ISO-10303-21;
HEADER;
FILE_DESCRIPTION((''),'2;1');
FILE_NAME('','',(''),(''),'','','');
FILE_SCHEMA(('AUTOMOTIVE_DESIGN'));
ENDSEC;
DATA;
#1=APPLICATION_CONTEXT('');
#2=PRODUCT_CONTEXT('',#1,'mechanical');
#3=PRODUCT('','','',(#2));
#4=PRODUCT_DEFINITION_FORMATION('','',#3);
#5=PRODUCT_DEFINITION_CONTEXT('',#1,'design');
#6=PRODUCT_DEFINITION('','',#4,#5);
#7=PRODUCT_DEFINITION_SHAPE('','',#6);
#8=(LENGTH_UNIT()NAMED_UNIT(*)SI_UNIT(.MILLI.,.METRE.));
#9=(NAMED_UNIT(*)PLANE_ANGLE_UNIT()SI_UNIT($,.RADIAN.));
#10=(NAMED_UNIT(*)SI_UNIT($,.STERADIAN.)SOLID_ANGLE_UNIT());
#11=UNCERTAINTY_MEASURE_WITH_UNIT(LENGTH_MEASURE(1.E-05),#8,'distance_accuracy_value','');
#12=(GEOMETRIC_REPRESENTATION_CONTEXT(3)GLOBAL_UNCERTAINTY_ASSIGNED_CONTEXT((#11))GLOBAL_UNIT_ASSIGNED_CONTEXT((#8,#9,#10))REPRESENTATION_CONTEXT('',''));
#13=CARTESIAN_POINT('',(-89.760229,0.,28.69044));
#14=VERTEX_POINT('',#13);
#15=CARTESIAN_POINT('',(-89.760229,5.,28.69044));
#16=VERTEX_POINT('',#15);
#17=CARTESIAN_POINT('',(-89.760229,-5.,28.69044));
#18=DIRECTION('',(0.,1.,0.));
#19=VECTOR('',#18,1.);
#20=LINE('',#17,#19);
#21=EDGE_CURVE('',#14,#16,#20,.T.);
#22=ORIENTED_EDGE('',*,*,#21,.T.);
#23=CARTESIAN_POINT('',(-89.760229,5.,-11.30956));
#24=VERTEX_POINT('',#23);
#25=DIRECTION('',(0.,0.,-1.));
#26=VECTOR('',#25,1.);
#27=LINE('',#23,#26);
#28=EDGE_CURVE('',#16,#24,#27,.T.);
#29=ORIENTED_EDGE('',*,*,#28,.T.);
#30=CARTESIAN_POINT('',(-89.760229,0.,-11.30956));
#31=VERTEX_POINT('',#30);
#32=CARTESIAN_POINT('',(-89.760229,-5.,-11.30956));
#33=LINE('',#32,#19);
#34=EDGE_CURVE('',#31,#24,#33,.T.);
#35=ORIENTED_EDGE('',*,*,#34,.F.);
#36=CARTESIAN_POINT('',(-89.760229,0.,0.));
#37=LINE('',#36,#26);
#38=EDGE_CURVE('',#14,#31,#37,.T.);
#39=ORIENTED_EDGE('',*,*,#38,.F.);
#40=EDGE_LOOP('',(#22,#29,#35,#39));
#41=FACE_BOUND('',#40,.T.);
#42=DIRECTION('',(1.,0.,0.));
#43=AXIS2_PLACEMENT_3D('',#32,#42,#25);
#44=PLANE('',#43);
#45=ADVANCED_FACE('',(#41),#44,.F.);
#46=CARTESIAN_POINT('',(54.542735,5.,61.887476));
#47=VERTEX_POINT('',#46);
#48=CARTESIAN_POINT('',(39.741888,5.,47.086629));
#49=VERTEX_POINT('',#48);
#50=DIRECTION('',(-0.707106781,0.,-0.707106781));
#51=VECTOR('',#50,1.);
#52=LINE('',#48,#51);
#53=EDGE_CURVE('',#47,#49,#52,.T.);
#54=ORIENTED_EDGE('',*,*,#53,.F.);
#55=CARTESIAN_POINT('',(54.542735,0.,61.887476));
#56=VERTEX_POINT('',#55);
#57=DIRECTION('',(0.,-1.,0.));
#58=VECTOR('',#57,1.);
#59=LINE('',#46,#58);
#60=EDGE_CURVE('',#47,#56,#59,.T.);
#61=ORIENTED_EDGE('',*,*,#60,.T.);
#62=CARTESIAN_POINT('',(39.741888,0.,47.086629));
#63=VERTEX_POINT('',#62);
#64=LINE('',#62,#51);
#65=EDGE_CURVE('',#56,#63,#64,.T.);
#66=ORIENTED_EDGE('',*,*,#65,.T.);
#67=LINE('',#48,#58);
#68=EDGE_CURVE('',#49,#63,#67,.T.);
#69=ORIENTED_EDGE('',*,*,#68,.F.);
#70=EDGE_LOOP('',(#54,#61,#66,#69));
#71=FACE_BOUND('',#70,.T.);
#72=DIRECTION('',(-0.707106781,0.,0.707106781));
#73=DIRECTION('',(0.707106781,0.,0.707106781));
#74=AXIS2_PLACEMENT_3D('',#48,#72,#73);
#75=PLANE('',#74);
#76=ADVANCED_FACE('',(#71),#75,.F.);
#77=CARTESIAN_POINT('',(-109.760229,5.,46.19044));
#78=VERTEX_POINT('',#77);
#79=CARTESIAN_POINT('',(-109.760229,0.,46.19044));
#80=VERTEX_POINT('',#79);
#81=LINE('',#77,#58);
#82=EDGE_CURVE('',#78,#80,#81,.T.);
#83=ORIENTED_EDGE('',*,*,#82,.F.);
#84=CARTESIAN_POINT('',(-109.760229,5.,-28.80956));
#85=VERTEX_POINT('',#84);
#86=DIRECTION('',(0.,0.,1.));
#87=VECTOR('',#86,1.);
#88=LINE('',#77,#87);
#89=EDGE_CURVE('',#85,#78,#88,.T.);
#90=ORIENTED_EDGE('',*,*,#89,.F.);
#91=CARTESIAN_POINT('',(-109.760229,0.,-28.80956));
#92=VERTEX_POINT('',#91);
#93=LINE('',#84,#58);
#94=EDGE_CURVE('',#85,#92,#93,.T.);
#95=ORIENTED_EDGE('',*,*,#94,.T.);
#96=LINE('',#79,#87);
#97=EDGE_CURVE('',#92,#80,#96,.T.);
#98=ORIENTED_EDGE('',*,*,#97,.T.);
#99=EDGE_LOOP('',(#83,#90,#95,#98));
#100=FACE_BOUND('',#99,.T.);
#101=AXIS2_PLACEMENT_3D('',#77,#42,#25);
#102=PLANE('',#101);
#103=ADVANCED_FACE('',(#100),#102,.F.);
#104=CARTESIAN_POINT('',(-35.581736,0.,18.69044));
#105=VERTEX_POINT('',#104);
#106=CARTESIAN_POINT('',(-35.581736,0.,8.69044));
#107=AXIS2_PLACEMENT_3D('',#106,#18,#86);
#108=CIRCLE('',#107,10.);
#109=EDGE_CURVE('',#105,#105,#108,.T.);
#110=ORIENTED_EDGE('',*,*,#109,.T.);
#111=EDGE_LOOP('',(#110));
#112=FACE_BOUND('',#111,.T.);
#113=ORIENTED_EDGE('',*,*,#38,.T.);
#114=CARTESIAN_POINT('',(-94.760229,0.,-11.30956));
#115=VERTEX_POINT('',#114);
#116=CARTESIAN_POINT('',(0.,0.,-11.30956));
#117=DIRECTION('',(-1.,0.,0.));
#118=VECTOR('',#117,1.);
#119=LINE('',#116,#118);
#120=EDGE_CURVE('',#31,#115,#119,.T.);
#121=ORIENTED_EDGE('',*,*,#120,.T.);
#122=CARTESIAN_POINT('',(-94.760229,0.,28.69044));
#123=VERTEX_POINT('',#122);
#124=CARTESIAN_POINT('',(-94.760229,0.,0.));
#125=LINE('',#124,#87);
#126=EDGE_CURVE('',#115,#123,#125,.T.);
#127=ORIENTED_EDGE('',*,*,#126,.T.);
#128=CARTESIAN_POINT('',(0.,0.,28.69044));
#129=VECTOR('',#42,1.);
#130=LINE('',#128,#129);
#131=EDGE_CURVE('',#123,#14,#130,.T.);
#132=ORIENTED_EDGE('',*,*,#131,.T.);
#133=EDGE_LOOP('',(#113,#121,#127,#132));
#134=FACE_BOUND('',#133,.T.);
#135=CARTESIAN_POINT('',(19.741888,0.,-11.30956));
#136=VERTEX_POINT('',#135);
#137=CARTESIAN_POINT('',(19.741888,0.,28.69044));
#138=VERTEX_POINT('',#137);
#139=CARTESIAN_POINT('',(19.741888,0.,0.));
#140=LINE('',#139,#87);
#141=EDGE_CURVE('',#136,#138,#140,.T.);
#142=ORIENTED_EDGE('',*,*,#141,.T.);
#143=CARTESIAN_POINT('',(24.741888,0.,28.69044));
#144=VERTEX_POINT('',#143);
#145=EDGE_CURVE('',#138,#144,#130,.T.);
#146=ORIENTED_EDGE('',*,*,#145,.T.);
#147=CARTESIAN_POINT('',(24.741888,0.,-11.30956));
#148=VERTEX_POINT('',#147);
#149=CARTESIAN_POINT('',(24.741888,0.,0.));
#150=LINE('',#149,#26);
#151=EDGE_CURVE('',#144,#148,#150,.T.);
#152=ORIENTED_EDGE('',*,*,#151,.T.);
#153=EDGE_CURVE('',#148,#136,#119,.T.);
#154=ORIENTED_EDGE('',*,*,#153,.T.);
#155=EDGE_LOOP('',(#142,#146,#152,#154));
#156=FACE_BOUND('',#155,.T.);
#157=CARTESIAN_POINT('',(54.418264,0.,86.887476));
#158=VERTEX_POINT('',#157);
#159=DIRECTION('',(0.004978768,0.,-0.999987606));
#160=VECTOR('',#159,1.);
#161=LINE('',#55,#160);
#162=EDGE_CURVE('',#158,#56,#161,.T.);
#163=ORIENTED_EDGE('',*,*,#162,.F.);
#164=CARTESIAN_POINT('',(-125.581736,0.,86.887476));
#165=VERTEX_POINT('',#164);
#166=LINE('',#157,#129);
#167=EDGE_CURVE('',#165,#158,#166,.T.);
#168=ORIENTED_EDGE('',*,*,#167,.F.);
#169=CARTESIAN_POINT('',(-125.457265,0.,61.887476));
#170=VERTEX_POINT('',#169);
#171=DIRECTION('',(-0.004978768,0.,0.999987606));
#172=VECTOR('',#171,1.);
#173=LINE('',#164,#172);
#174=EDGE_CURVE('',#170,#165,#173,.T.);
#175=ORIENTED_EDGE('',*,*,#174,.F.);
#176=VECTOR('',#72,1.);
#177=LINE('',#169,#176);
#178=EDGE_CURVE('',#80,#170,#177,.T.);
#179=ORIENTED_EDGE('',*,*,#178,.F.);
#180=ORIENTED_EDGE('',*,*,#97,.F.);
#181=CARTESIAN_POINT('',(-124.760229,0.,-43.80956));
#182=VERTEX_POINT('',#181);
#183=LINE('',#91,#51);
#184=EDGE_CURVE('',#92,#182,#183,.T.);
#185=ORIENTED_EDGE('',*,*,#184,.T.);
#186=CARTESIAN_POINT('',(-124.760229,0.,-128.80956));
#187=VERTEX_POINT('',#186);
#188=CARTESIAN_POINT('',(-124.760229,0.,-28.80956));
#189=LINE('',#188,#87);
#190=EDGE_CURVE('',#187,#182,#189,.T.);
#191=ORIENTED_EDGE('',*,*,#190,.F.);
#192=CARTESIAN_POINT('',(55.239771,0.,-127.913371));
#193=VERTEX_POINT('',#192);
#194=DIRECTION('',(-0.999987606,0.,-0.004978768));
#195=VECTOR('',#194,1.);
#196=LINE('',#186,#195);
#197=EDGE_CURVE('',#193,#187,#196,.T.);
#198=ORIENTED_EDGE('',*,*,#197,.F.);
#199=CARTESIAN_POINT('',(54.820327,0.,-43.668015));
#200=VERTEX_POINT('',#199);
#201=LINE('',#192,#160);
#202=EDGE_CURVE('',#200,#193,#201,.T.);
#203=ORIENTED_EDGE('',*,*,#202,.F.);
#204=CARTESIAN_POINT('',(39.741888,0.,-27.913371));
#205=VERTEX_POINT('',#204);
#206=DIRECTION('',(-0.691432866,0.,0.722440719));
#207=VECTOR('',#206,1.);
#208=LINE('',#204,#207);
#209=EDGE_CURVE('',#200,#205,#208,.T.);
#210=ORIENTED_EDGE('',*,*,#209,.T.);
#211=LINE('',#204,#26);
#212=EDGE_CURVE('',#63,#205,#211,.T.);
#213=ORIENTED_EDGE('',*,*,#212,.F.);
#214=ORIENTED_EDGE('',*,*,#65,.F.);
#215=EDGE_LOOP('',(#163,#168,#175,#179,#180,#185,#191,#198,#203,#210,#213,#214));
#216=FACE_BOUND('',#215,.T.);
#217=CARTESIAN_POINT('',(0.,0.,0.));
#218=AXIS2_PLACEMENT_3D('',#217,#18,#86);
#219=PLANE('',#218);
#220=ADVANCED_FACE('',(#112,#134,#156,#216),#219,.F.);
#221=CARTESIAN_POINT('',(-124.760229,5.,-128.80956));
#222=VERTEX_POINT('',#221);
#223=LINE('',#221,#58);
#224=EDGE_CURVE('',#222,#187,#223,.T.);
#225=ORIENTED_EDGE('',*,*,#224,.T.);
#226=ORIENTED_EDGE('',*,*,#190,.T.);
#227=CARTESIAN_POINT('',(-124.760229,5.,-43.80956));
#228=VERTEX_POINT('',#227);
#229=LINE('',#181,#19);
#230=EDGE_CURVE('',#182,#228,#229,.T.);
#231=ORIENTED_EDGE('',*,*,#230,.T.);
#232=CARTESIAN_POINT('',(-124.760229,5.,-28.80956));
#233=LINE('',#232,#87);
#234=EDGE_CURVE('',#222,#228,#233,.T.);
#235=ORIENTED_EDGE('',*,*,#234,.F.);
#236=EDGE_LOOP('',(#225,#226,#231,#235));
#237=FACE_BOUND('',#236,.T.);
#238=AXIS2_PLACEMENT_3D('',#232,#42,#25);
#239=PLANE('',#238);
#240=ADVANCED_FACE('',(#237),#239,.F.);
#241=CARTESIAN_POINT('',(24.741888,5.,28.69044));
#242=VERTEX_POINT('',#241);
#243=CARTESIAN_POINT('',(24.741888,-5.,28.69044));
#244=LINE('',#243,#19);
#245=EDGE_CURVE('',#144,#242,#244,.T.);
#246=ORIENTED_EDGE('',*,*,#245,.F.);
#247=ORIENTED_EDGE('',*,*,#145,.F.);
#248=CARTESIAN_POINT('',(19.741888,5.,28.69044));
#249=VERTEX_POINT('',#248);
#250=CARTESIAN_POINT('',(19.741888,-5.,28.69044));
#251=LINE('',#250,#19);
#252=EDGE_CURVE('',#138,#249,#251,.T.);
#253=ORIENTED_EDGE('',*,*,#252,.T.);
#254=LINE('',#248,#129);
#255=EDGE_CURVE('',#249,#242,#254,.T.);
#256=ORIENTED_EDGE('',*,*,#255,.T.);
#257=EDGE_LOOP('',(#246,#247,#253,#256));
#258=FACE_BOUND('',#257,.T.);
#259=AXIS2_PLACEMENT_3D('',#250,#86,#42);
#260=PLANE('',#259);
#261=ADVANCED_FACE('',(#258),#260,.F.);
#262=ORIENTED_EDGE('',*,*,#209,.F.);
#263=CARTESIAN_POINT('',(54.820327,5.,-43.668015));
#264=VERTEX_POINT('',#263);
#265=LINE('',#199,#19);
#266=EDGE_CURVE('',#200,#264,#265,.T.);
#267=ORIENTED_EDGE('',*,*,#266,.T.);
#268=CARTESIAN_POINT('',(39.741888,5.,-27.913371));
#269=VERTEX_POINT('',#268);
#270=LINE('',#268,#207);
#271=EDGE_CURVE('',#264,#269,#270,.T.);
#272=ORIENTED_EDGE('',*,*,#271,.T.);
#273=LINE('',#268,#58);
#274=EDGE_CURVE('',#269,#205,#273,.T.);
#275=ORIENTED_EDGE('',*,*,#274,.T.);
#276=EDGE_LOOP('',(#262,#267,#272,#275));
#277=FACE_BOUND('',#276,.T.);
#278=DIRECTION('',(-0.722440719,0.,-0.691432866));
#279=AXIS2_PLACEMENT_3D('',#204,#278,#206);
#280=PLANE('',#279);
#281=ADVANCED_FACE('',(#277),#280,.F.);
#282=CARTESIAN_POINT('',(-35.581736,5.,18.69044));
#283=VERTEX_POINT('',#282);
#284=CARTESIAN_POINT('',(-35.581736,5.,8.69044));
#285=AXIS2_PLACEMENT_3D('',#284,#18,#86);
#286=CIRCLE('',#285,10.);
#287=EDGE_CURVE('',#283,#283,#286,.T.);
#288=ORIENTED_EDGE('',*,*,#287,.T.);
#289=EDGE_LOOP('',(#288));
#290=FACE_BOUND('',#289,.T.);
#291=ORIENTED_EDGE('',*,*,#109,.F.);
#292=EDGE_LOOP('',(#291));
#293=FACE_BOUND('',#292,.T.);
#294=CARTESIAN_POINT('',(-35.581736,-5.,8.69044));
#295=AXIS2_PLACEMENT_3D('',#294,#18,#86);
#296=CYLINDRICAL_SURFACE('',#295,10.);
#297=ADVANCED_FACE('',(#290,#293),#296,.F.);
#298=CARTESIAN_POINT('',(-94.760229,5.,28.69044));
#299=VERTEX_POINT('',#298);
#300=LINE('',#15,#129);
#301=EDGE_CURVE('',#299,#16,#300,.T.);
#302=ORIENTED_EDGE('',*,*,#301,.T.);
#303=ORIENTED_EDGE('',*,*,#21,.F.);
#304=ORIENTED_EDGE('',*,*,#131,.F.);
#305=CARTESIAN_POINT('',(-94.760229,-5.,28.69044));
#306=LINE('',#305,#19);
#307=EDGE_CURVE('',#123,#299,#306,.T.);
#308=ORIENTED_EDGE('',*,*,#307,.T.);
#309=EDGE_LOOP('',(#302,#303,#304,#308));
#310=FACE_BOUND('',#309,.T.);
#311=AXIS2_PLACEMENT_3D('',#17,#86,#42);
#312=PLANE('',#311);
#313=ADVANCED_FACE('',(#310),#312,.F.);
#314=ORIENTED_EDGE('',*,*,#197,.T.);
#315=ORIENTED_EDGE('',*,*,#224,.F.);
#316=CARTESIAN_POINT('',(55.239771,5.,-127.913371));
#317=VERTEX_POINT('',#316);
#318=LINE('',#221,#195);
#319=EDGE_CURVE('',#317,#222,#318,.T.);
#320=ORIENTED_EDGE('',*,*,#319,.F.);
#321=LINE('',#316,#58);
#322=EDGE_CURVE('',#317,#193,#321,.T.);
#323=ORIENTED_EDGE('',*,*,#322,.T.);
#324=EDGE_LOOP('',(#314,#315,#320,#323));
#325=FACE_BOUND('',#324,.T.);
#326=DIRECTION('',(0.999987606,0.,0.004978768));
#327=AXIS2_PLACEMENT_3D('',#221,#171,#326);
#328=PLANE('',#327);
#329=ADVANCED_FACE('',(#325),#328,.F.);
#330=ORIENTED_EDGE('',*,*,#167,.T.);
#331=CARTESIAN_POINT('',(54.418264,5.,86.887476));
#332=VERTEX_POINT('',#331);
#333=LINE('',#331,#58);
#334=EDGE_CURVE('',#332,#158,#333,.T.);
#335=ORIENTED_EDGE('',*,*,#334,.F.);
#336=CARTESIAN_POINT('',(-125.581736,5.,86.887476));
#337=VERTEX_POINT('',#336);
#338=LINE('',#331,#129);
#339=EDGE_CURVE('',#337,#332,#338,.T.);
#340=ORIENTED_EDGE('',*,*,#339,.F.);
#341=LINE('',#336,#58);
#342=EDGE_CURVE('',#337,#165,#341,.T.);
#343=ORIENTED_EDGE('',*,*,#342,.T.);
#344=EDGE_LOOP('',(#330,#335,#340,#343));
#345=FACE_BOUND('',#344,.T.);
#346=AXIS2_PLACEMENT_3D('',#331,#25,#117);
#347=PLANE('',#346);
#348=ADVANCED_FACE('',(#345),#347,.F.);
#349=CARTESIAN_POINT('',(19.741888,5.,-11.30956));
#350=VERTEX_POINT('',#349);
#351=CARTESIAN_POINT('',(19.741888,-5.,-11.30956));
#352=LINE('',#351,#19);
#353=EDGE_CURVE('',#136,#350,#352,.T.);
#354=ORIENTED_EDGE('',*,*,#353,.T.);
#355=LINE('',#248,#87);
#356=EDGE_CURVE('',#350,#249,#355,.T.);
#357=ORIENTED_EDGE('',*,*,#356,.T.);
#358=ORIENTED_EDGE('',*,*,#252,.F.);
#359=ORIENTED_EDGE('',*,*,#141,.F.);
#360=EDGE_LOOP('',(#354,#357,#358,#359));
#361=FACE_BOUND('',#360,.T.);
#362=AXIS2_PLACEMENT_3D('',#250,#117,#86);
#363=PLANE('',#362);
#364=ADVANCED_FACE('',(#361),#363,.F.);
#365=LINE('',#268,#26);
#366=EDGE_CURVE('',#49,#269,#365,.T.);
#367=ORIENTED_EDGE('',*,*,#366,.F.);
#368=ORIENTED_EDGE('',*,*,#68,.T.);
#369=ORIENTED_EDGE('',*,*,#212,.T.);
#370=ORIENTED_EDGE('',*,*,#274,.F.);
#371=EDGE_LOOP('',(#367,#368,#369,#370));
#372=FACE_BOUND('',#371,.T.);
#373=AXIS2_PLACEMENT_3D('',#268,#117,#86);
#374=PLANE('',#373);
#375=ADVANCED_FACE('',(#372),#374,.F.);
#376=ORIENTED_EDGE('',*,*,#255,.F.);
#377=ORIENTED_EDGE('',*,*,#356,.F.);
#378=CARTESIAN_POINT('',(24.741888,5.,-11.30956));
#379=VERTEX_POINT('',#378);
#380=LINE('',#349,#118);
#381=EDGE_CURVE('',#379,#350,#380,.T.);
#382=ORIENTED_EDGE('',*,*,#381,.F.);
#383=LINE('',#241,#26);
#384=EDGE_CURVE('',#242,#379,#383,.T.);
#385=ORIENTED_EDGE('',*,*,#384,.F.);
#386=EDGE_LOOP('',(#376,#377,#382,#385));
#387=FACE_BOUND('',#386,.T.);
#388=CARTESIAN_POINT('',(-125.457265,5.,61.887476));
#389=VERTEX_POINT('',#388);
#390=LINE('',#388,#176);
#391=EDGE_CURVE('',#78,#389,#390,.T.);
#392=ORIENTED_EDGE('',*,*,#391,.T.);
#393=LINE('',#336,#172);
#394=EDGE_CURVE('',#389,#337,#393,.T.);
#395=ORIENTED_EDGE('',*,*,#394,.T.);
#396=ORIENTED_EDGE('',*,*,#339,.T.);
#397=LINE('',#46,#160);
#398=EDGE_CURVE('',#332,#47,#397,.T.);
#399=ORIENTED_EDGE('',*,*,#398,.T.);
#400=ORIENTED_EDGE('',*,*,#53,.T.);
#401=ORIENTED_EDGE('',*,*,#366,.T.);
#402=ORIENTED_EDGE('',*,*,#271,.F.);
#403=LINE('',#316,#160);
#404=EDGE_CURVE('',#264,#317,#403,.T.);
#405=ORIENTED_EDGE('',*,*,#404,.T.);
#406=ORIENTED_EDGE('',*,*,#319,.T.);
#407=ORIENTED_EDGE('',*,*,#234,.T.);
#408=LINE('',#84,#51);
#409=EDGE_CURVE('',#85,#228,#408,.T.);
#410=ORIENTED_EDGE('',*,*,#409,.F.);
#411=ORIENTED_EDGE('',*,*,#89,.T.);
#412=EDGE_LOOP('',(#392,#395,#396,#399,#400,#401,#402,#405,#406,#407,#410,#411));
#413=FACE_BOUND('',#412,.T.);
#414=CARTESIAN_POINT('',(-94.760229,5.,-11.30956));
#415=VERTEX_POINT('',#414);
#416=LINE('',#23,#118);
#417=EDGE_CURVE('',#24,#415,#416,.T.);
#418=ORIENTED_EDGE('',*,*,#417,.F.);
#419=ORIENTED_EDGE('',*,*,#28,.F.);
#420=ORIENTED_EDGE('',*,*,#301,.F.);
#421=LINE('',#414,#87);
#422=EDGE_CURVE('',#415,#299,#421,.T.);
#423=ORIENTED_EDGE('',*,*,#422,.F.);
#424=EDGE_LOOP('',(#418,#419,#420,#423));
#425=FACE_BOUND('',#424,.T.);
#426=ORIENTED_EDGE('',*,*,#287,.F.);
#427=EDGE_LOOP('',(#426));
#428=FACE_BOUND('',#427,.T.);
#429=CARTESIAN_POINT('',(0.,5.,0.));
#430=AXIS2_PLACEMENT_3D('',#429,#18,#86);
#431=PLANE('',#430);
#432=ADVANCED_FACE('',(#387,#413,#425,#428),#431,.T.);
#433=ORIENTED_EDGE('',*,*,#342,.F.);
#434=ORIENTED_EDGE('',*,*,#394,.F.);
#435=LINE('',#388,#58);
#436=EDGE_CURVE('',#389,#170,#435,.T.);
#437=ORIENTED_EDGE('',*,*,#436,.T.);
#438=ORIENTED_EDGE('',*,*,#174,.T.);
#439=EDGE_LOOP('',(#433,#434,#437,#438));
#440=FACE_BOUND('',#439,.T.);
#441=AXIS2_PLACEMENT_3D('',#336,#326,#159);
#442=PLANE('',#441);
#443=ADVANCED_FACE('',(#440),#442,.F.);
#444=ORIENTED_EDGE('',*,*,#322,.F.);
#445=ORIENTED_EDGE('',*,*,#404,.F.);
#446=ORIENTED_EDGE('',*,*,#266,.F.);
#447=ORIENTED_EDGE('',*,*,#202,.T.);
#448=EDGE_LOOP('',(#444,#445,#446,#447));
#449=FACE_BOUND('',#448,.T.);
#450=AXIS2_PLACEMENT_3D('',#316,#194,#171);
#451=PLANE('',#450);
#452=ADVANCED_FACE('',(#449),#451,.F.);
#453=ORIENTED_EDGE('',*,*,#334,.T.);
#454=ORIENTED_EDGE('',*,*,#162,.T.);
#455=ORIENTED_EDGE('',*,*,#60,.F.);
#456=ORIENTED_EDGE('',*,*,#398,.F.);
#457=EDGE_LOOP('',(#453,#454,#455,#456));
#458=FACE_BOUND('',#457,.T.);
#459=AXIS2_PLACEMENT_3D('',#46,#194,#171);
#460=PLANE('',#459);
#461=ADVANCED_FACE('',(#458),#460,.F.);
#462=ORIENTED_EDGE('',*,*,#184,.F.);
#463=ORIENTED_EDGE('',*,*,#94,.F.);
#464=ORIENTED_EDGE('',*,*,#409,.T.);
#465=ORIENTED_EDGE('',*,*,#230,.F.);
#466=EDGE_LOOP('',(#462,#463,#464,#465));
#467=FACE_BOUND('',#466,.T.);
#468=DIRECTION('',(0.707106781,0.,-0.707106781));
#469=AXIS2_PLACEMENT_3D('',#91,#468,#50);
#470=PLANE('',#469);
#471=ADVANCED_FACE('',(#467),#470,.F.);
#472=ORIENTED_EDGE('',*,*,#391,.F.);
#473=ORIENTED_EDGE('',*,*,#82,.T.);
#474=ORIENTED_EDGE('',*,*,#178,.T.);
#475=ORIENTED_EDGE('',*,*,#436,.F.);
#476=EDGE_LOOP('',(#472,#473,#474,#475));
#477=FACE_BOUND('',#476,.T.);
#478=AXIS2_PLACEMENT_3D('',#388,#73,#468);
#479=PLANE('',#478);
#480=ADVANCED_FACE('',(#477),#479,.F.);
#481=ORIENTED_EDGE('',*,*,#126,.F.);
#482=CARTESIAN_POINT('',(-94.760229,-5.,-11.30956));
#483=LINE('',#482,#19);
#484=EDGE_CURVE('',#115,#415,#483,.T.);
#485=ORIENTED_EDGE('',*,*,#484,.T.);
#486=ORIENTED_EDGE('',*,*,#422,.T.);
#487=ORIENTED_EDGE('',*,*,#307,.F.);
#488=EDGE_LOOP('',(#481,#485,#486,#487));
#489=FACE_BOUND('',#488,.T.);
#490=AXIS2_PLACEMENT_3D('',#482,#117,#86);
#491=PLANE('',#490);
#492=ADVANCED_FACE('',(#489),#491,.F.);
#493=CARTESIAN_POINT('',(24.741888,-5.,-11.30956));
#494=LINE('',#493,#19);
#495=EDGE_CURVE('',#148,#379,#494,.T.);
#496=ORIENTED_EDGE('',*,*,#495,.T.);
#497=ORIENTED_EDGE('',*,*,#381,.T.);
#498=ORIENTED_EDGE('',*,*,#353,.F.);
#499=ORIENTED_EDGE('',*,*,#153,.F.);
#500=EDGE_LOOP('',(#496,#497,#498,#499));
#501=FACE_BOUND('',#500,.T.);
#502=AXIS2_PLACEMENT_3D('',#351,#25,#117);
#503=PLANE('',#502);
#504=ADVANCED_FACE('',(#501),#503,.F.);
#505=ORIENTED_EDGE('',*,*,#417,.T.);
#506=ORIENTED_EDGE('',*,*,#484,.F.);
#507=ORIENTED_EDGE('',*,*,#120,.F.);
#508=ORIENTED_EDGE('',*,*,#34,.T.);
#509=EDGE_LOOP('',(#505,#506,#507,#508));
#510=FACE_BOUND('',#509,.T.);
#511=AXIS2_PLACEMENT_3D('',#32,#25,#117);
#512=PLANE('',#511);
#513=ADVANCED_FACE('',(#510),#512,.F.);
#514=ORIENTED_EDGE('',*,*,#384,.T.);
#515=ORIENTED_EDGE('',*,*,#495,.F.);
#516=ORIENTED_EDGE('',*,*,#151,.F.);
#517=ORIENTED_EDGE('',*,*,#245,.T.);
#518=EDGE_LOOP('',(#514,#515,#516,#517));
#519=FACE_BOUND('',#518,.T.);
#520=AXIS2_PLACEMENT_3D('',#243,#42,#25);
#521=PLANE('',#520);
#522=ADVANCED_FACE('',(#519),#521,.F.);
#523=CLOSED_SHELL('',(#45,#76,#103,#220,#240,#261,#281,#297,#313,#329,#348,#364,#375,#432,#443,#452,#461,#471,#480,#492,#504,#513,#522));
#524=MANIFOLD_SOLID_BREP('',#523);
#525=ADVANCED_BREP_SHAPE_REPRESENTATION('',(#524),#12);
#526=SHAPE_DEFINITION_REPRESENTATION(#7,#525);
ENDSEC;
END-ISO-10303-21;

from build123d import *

# Parameters (mm, degrees)
BOSS_EXTRUDE1_DEPTH = 5
CUT_EXTRUDE2_DEPTH  = 5
SKETCH5_W           = 5
SKETCH5_H           = 40
CUT_EXTRUDE3_DEPTH  = 10
SKETCH6_R           = 10
CUT_EXTRUDE4_DEPTH  = 10


with BuildPart() as part:
    # Sketch2 → Boss-Extrude1 (new body)
    with BuildSketch(Plane(origin=(0, 0, 0), x_dir=(1, 0, 0), z_dir=(0, 1, 0))):
        Polygon((-124.760229314, 128.809560066), (55.239770686, 127.913370731), (54.741887722, 27.913370731), (39.741887722, 27.913370731), (39.741887722, -47.086629269), (54.542734536, -61.887476084), (54.418263795, -86.887476084), (-125.581736205, -86.887476084), (-125.457265464, -61.887476084), (-109.760229314, -46.190439934), (-109.760229314, 28.809560066), (-124.760229314, 28.809560066), align=None)
    extrude(amount=BOSS_EXTRUDE1_DEPTH)

    # Sketch4 → Cut-Extrude2 (cut)
    with BuildSketch(Plane(origin=(0, 5, 0), x_dir=(1, 0, 0), z_dir=(0, 1, 0))):
        Polygon((-109.760229314, 28.809560066), (-124.760229314, 43.809560066), (-124.760229314, 28.809560066), align=None)
        Polygon((39.741887722, 27.913370731), (54.820327412, 43.668014969), (54.741887722, 27.913370731), align=None)
    extrude(amount=-CUT_EXTRUDE2_DEPTH, mode=Mode.SUBTRACT)

    # Sketch5 → Cut-Extrude3 (cut)
    with BuildSketch(Plane(origin=(0, 5, 0), x_dir=(1, 0, 0), z_dir=(0, 1, 0))):
        with Locations((-92.260229314, -8.690439934)):
            Rectangle(SKETCH5_W, SKETCH5_H)
        with Locations((22.241887722, -8.690439934)):
            Rectangle(SKETCH5_W, SKETCH5_H)
    extrude(amount=-CUT_EXTRUDE3_DEPTH, mode=Mode.SUBTRACT)

    # Sketch6 → Cut-Extrude4 (cut)
    with BuildSketch(Plane(origin=(0, 5, 0), x_dir=(1, 0, 0), z_dir=(0, 1, 0))):
        with Locations(Location((-35.581736205, -8.690439934, 0), (0, 0, 270))):
            Circle(SKETCH6_R)
    extrude(amount=-CUT_EXTRUDE4_DEPTH, mode=Mode.SUBTRACT)


solid = part.part
